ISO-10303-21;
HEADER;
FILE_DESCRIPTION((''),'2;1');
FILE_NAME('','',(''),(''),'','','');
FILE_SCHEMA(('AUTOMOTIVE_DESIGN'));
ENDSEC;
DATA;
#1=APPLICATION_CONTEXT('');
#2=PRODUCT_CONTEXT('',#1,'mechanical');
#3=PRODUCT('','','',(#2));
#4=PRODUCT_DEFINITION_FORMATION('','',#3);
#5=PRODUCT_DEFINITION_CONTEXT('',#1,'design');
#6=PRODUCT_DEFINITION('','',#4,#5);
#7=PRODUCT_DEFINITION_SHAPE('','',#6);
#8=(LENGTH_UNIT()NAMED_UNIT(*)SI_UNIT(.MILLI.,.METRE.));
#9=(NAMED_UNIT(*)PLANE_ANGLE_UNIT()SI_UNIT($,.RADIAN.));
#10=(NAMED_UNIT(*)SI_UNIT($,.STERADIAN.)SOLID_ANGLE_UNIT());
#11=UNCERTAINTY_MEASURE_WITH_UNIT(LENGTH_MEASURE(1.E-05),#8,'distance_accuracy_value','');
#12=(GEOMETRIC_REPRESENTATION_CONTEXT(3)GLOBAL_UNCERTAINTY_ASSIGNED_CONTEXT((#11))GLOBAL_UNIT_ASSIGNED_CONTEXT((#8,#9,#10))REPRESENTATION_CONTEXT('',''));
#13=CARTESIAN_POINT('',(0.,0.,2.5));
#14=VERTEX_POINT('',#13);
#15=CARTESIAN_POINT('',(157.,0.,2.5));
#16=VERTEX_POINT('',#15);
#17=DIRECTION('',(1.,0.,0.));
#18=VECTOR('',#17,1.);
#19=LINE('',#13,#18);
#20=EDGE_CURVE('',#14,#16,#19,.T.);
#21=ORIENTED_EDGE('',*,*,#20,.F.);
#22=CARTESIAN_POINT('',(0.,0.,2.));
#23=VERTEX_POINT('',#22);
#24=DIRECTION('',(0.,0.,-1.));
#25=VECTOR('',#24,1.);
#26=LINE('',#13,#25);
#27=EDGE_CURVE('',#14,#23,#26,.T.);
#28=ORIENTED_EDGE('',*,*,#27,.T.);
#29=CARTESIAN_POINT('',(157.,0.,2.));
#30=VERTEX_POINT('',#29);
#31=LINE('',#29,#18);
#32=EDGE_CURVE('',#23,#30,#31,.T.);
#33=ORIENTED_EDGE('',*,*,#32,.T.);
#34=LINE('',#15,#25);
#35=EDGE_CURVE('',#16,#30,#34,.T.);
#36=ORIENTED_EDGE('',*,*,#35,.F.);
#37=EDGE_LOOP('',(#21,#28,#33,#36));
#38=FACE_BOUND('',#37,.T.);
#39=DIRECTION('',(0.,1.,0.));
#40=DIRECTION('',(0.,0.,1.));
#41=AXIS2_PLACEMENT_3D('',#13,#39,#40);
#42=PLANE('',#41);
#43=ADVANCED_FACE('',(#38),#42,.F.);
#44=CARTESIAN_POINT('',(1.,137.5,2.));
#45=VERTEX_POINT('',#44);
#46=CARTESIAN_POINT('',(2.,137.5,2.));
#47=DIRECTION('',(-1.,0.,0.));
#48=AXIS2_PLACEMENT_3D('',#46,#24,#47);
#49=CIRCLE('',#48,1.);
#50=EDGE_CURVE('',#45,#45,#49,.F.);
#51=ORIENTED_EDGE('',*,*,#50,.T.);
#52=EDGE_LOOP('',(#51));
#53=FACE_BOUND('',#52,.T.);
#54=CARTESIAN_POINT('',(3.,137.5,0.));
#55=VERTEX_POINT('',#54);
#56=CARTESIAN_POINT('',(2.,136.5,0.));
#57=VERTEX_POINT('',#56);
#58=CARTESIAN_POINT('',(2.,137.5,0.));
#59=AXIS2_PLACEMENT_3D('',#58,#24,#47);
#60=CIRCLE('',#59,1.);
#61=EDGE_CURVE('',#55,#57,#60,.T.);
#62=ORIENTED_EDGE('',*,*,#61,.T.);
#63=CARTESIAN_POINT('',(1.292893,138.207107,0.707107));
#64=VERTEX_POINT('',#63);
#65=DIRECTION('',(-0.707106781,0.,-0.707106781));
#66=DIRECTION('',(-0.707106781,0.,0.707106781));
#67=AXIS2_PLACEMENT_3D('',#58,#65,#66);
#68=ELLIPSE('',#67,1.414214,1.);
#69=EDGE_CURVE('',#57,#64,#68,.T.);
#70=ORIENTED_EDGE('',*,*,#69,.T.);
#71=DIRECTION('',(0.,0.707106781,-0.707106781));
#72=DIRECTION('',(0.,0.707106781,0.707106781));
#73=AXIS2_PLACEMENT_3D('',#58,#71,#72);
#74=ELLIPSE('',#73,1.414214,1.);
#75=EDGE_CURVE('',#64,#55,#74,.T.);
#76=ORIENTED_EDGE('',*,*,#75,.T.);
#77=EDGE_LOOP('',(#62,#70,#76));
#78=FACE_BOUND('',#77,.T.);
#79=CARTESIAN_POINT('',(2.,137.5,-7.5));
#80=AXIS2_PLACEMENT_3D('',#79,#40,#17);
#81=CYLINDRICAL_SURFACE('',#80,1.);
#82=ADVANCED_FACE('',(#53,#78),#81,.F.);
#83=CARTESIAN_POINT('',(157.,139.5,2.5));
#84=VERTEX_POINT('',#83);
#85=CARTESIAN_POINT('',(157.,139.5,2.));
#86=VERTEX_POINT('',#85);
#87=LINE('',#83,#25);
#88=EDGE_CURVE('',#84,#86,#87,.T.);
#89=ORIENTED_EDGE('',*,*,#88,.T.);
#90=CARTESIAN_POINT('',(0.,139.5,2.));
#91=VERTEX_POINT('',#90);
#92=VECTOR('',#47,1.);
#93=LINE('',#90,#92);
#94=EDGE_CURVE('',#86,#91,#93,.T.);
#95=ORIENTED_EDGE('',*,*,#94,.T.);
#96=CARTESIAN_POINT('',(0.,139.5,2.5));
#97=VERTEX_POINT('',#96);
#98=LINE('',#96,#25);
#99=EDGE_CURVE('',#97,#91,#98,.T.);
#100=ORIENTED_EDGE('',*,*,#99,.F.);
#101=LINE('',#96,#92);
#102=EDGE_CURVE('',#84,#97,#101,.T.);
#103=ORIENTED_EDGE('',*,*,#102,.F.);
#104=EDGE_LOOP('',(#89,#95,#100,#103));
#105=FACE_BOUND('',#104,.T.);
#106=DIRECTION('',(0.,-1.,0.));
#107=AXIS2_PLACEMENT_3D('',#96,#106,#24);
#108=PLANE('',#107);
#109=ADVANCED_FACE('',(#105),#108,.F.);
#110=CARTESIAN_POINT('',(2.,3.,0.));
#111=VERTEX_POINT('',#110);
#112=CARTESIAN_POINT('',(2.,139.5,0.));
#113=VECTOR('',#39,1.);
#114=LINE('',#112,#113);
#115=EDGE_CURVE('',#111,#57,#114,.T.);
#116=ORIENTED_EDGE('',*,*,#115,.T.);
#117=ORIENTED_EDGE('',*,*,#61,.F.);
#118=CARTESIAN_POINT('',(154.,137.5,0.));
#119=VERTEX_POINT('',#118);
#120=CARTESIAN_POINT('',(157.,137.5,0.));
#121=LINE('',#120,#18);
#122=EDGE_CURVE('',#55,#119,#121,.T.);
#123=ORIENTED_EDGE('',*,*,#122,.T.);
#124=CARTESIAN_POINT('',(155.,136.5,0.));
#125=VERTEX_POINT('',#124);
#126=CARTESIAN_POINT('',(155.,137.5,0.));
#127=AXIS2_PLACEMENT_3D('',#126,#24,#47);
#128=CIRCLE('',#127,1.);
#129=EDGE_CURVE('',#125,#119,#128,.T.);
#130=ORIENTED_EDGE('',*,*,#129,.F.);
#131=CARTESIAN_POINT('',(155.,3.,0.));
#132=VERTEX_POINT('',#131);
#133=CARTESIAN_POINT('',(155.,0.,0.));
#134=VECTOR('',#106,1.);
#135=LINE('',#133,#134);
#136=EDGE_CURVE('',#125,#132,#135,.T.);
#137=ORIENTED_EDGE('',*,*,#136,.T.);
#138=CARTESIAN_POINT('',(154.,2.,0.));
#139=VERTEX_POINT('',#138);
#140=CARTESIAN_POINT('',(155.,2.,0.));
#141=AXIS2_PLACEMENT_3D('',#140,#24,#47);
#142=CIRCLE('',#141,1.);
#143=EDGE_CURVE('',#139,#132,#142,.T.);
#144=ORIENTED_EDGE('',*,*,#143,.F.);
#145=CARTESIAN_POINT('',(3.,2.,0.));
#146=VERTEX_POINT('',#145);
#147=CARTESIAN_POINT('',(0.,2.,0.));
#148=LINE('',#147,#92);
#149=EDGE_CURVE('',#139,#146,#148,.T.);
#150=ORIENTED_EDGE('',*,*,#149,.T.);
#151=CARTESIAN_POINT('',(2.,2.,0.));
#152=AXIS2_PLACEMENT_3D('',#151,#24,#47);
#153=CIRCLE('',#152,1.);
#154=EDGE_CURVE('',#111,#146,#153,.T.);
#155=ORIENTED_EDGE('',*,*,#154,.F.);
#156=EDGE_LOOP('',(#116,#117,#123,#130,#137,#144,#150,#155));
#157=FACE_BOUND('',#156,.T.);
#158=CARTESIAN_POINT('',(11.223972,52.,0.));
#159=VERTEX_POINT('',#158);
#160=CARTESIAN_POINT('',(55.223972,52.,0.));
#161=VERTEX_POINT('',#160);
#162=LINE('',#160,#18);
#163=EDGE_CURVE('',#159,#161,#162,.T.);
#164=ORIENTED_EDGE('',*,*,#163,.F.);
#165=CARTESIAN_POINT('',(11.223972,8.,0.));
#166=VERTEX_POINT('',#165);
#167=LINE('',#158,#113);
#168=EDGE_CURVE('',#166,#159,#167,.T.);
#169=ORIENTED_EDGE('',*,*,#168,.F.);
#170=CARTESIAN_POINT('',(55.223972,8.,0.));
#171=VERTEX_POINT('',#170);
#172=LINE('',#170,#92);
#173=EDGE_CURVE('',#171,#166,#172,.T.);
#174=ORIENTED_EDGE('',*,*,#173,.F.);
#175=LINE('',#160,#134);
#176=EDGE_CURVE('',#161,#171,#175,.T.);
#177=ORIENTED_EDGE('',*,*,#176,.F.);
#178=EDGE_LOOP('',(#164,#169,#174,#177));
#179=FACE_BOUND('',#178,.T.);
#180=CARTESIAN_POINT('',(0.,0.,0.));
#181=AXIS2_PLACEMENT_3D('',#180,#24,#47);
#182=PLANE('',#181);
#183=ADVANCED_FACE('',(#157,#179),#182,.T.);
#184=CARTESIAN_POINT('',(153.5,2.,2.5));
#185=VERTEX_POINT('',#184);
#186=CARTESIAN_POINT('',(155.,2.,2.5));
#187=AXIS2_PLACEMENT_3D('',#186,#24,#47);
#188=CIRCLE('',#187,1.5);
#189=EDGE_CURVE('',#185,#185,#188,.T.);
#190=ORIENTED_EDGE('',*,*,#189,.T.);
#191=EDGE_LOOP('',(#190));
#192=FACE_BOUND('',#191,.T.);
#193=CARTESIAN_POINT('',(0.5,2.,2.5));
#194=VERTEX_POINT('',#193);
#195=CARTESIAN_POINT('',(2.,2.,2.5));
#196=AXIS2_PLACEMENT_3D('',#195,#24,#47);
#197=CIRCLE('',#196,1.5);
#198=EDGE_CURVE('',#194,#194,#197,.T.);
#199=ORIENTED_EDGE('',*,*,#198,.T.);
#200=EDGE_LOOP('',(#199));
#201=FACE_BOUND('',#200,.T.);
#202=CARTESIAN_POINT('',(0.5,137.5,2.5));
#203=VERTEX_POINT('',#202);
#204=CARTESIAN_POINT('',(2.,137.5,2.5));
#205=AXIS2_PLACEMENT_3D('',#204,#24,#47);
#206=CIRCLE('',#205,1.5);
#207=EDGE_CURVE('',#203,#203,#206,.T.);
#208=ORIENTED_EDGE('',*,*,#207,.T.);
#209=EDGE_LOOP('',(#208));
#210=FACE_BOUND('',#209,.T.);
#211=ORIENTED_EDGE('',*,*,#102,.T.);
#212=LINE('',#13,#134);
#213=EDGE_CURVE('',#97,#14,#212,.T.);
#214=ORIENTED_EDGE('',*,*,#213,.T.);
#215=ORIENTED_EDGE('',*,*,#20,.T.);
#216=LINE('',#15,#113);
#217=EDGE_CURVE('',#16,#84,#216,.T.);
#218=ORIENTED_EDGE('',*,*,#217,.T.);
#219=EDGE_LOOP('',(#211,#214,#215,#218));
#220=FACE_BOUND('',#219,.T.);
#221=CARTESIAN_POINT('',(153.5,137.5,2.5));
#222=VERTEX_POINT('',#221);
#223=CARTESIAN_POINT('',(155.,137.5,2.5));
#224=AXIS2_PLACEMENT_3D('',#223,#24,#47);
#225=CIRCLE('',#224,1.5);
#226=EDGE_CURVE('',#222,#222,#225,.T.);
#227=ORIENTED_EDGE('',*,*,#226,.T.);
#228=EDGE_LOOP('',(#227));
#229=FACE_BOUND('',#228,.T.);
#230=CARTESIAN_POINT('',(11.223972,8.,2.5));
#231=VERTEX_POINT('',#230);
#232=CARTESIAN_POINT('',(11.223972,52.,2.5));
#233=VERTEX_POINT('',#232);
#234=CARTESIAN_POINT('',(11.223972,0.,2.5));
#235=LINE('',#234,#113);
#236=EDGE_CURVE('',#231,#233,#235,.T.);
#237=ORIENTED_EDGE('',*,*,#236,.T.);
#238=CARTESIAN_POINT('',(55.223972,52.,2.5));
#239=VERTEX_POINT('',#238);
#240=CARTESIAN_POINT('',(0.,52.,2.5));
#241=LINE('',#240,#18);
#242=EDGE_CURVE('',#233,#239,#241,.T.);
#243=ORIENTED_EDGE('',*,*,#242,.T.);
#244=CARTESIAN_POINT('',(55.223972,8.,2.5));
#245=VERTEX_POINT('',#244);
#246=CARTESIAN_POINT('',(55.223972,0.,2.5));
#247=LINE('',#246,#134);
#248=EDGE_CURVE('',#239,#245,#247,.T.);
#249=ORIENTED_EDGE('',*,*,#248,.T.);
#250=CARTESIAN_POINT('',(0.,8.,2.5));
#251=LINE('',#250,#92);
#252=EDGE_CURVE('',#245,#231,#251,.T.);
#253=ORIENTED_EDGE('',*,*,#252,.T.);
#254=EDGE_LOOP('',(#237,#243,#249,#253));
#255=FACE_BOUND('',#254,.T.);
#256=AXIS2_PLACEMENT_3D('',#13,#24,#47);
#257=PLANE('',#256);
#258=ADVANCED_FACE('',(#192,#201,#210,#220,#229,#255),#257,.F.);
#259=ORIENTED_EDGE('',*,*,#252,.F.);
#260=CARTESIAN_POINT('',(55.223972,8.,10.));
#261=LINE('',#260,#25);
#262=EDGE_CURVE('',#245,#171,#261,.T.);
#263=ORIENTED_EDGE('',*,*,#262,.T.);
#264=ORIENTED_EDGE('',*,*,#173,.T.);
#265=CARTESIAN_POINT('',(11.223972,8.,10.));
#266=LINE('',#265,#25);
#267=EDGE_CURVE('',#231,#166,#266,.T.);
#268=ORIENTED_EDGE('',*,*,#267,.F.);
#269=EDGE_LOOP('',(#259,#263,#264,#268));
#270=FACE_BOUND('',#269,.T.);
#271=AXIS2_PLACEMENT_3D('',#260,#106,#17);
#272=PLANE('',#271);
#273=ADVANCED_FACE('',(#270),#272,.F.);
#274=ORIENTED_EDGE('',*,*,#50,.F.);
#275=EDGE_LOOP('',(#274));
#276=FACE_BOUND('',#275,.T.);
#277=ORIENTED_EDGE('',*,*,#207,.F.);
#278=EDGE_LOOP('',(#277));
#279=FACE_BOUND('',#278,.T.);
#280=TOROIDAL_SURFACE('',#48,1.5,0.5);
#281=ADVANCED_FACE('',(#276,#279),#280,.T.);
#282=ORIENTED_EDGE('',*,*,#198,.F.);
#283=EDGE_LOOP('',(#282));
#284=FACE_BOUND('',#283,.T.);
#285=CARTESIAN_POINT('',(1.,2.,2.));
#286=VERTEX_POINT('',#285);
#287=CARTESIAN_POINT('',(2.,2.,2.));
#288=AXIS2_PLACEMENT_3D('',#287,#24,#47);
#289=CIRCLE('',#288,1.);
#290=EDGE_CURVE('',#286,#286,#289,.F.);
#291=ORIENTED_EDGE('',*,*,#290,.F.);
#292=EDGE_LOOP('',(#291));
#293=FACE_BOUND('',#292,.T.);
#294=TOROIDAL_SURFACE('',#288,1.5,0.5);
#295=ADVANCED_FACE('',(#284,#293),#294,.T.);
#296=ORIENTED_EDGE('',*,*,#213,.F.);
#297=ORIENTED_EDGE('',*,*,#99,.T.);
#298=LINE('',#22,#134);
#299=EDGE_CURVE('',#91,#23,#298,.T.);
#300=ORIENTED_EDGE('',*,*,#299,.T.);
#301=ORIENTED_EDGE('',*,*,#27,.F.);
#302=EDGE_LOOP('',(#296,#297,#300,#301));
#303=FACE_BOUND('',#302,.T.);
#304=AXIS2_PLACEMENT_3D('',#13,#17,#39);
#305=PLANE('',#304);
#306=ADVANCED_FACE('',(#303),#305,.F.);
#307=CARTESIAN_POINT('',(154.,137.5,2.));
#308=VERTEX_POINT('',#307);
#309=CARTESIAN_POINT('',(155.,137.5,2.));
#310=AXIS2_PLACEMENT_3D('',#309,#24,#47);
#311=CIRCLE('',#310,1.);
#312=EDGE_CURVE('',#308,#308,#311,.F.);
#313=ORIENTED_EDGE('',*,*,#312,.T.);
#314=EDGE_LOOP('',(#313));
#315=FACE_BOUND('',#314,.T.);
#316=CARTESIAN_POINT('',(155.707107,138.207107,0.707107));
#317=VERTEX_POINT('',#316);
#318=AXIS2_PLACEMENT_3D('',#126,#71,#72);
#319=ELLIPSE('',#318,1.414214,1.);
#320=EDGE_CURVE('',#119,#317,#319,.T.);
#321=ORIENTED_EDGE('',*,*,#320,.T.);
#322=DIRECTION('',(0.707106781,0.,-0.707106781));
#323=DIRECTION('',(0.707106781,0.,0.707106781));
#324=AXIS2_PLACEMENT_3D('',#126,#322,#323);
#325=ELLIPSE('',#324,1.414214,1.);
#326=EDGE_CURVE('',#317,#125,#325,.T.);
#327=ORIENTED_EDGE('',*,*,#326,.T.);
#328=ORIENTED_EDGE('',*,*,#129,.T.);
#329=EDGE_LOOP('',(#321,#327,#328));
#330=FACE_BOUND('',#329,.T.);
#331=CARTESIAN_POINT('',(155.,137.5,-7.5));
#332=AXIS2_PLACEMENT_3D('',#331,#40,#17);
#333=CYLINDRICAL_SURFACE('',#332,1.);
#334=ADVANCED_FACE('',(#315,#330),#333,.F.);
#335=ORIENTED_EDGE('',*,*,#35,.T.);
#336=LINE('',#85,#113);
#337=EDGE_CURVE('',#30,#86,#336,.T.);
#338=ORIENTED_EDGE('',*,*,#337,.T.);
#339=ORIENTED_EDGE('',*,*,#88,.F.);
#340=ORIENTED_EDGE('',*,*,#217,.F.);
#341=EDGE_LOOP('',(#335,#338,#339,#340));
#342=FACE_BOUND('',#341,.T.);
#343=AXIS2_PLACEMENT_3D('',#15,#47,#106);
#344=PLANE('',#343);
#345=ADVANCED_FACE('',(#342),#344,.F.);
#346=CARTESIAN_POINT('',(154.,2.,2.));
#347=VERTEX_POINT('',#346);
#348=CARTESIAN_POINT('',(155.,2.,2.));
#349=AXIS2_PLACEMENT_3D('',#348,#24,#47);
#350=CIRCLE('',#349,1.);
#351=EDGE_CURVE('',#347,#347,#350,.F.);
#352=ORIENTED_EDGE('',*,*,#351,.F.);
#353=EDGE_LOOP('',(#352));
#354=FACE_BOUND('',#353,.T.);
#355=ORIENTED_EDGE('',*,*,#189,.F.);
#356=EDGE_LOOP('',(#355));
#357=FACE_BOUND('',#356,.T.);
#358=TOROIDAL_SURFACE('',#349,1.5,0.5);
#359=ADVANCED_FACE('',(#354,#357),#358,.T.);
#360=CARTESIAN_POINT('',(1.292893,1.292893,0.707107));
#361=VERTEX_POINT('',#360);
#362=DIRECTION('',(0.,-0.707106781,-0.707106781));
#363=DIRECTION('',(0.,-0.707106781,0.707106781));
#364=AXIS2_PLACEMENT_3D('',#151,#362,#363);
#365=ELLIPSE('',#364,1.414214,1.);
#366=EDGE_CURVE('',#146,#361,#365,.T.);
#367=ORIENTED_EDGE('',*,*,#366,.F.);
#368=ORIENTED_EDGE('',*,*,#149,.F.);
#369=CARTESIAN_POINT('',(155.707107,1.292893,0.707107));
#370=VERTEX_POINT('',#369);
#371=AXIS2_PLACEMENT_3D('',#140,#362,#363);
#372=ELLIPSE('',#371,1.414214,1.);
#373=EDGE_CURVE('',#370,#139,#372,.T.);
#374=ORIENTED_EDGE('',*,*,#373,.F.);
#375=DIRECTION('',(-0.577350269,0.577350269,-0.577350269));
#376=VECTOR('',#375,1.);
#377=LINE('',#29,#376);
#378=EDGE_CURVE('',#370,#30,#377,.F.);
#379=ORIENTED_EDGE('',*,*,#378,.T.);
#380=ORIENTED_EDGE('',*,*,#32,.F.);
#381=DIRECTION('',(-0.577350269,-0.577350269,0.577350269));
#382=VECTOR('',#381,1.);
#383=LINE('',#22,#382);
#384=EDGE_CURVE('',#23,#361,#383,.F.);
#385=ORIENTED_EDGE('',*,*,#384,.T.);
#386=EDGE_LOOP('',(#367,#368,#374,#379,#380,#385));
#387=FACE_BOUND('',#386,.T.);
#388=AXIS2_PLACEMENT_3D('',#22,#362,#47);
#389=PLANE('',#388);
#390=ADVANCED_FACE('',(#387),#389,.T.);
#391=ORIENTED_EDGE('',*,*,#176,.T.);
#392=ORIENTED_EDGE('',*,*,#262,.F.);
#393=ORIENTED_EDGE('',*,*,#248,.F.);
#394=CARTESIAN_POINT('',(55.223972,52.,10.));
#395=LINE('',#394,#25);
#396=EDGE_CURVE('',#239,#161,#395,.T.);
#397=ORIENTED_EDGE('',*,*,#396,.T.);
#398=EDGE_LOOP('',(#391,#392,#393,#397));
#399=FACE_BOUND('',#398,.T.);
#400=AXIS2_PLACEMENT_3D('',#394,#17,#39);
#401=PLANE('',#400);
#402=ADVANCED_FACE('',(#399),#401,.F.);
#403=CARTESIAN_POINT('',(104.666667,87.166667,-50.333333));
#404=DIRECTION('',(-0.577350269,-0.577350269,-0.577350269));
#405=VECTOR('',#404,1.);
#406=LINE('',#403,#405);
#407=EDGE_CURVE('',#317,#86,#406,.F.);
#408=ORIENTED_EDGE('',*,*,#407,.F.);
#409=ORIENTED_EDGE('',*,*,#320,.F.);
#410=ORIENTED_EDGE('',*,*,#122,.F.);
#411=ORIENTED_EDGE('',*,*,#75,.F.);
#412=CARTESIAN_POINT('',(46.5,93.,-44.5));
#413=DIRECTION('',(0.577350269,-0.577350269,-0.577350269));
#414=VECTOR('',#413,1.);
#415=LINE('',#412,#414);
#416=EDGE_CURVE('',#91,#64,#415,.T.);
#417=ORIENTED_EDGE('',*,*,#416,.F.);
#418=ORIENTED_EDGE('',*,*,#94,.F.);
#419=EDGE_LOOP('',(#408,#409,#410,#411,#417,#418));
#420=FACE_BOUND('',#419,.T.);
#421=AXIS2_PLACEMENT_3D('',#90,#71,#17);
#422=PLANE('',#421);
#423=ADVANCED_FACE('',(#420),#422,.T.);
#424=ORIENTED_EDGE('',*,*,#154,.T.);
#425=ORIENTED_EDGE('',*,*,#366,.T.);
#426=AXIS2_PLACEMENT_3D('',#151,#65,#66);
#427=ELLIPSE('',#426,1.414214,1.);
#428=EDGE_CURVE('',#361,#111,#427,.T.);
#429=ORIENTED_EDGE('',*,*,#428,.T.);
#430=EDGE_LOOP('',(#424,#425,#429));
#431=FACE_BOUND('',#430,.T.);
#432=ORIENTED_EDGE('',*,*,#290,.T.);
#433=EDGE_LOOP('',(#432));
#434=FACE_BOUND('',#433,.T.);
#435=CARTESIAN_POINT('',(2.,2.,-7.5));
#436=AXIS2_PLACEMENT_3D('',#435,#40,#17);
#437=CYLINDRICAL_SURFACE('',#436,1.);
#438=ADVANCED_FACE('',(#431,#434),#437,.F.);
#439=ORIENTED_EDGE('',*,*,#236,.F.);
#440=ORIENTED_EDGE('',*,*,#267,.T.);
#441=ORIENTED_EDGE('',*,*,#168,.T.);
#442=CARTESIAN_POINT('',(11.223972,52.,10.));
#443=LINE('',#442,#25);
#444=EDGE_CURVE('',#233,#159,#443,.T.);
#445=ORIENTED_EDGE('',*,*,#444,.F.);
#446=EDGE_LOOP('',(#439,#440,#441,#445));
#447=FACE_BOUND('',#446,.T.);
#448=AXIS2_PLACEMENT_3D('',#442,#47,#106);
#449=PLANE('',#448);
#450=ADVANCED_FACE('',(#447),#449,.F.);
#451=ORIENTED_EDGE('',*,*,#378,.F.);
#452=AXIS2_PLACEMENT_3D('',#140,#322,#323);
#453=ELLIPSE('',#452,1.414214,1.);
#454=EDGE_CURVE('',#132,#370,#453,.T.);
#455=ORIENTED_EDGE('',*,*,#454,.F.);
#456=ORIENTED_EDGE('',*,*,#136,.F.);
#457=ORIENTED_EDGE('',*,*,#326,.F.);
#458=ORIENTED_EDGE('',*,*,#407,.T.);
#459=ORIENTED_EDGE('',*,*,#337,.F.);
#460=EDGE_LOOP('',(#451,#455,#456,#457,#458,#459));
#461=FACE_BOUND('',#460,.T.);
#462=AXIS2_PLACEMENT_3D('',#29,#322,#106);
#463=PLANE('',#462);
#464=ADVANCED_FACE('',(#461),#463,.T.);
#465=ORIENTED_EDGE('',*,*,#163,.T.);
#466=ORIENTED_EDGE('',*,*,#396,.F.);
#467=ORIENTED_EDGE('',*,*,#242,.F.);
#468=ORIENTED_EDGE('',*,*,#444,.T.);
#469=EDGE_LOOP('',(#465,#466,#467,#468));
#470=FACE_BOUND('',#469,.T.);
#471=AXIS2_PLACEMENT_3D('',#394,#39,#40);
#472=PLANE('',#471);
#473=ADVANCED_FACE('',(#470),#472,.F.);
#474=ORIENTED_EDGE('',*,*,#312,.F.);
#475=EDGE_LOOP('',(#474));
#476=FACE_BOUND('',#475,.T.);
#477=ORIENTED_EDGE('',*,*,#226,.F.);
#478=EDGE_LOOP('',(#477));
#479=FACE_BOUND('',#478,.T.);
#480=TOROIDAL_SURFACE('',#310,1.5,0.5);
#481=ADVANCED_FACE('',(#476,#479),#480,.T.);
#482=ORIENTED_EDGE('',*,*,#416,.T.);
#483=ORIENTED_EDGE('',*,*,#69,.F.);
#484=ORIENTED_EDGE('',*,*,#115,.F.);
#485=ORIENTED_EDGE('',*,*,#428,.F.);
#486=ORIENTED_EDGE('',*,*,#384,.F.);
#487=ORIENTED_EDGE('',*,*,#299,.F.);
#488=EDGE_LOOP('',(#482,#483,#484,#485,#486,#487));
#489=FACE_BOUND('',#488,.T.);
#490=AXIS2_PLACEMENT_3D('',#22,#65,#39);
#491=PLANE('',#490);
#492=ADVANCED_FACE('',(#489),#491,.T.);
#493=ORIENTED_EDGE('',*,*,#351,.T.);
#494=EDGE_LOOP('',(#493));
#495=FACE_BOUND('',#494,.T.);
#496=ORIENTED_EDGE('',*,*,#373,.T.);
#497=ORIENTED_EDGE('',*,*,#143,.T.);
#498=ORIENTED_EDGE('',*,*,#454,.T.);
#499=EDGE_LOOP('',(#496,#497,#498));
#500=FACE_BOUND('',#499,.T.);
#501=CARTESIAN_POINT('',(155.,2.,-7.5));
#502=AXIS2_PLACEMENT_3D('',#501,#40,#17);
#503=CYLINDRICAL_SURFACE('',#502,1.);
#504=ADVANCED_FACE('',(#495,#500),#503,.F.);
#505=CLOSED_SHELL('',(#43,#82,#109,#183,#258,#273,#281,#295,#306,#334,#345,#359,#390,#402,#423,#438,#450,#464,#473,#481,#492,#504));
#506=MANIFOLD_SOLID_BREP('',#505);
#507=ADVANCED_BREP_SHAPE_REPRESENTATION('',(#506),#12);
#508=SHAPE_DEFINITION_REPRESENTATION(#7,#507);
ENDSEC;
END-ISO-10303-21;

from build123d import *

# Parameters (mm, degrees)
SKETCH1_W           = 157
SKETCH1_H           = 139.5
BOSS_EXTRUDE1_DEPTH = 2.5
CHAMFER1_SIZE       = 2
SKETCH5_W           = 44
SKETCH5_H           = 44
CUT_EXTRUDE1_DEPTH  = 10
SKETCH6_R           = 1
CUT_EXTRUDE2_DEPTH  = 10
FILLET1_R           = 0.5


with BuildPart() as part:
    # Sketch1 → Boss-Extrude1 (new body)
    with BuildSketch(Plane.XY):
        with Locations((78.5, 69.75)):
            Rectangle(SKETCH1_W, SKETCH1_H)
    extrude(amount=BOSS_EXTRUDE1_DEPTH)

    # Chamfer1
    chamfer1_edges = [part.edges().sort_by_distance(p)[0] for p in [
        (78.5, 139.5, 0),
        (157, 69.75, 0),
        (78.5, 0, 0),
        (0, 69.75, 0),
    ]]
    chamfer(chamfer1_edges, length=CHAMFER1_SIZE)

    # Sketch5 → Cut-Extrude1 (cut)
    with BuildSketch(Plane(origin=(0, 0, 0), x_dir=(-1, 0, 0), z_dir=(0, 0, -1))):
        with Locations((-33.223972079, 30)):
            Rectangle(SKETCH5_W, SKETCH5_H)
    extrude(amount=-CUT_EXTRUDE1_DEPTH, mode=Mode.SUBTRACT)

    # Sketch6 → Cut-Extrude2 (cut)
    with BuildSketch(Plane.XY.offset(2.5)):
        with Locations((155, 137.5)):
            Circle(SKETCH6_R)
        with Locations((2, 137.5)):
            Circle(SKETCH6_R)
        with Locations((155, 2)):
            Circle(SKETCH6_R)
        with Locations((2, 2)):
            Circle(SKETCH6_R)
    extrude(amount=-CUT_EXTRUDE2_DEPTH, mode=Mode.SUBTRACT)

    # Fillet1
    fillet1_edges = [part.edges().sort_by_distance(p)[0] for p in [
        (154, 2, 2.5),
        (154, 137.5, 2.5),
        (1, 137.5, 2.5),
        (1, 2, 2.5),
    ]]
    fillet(fillet1_edges, radius=FILLET1_R)


solid = part.part
